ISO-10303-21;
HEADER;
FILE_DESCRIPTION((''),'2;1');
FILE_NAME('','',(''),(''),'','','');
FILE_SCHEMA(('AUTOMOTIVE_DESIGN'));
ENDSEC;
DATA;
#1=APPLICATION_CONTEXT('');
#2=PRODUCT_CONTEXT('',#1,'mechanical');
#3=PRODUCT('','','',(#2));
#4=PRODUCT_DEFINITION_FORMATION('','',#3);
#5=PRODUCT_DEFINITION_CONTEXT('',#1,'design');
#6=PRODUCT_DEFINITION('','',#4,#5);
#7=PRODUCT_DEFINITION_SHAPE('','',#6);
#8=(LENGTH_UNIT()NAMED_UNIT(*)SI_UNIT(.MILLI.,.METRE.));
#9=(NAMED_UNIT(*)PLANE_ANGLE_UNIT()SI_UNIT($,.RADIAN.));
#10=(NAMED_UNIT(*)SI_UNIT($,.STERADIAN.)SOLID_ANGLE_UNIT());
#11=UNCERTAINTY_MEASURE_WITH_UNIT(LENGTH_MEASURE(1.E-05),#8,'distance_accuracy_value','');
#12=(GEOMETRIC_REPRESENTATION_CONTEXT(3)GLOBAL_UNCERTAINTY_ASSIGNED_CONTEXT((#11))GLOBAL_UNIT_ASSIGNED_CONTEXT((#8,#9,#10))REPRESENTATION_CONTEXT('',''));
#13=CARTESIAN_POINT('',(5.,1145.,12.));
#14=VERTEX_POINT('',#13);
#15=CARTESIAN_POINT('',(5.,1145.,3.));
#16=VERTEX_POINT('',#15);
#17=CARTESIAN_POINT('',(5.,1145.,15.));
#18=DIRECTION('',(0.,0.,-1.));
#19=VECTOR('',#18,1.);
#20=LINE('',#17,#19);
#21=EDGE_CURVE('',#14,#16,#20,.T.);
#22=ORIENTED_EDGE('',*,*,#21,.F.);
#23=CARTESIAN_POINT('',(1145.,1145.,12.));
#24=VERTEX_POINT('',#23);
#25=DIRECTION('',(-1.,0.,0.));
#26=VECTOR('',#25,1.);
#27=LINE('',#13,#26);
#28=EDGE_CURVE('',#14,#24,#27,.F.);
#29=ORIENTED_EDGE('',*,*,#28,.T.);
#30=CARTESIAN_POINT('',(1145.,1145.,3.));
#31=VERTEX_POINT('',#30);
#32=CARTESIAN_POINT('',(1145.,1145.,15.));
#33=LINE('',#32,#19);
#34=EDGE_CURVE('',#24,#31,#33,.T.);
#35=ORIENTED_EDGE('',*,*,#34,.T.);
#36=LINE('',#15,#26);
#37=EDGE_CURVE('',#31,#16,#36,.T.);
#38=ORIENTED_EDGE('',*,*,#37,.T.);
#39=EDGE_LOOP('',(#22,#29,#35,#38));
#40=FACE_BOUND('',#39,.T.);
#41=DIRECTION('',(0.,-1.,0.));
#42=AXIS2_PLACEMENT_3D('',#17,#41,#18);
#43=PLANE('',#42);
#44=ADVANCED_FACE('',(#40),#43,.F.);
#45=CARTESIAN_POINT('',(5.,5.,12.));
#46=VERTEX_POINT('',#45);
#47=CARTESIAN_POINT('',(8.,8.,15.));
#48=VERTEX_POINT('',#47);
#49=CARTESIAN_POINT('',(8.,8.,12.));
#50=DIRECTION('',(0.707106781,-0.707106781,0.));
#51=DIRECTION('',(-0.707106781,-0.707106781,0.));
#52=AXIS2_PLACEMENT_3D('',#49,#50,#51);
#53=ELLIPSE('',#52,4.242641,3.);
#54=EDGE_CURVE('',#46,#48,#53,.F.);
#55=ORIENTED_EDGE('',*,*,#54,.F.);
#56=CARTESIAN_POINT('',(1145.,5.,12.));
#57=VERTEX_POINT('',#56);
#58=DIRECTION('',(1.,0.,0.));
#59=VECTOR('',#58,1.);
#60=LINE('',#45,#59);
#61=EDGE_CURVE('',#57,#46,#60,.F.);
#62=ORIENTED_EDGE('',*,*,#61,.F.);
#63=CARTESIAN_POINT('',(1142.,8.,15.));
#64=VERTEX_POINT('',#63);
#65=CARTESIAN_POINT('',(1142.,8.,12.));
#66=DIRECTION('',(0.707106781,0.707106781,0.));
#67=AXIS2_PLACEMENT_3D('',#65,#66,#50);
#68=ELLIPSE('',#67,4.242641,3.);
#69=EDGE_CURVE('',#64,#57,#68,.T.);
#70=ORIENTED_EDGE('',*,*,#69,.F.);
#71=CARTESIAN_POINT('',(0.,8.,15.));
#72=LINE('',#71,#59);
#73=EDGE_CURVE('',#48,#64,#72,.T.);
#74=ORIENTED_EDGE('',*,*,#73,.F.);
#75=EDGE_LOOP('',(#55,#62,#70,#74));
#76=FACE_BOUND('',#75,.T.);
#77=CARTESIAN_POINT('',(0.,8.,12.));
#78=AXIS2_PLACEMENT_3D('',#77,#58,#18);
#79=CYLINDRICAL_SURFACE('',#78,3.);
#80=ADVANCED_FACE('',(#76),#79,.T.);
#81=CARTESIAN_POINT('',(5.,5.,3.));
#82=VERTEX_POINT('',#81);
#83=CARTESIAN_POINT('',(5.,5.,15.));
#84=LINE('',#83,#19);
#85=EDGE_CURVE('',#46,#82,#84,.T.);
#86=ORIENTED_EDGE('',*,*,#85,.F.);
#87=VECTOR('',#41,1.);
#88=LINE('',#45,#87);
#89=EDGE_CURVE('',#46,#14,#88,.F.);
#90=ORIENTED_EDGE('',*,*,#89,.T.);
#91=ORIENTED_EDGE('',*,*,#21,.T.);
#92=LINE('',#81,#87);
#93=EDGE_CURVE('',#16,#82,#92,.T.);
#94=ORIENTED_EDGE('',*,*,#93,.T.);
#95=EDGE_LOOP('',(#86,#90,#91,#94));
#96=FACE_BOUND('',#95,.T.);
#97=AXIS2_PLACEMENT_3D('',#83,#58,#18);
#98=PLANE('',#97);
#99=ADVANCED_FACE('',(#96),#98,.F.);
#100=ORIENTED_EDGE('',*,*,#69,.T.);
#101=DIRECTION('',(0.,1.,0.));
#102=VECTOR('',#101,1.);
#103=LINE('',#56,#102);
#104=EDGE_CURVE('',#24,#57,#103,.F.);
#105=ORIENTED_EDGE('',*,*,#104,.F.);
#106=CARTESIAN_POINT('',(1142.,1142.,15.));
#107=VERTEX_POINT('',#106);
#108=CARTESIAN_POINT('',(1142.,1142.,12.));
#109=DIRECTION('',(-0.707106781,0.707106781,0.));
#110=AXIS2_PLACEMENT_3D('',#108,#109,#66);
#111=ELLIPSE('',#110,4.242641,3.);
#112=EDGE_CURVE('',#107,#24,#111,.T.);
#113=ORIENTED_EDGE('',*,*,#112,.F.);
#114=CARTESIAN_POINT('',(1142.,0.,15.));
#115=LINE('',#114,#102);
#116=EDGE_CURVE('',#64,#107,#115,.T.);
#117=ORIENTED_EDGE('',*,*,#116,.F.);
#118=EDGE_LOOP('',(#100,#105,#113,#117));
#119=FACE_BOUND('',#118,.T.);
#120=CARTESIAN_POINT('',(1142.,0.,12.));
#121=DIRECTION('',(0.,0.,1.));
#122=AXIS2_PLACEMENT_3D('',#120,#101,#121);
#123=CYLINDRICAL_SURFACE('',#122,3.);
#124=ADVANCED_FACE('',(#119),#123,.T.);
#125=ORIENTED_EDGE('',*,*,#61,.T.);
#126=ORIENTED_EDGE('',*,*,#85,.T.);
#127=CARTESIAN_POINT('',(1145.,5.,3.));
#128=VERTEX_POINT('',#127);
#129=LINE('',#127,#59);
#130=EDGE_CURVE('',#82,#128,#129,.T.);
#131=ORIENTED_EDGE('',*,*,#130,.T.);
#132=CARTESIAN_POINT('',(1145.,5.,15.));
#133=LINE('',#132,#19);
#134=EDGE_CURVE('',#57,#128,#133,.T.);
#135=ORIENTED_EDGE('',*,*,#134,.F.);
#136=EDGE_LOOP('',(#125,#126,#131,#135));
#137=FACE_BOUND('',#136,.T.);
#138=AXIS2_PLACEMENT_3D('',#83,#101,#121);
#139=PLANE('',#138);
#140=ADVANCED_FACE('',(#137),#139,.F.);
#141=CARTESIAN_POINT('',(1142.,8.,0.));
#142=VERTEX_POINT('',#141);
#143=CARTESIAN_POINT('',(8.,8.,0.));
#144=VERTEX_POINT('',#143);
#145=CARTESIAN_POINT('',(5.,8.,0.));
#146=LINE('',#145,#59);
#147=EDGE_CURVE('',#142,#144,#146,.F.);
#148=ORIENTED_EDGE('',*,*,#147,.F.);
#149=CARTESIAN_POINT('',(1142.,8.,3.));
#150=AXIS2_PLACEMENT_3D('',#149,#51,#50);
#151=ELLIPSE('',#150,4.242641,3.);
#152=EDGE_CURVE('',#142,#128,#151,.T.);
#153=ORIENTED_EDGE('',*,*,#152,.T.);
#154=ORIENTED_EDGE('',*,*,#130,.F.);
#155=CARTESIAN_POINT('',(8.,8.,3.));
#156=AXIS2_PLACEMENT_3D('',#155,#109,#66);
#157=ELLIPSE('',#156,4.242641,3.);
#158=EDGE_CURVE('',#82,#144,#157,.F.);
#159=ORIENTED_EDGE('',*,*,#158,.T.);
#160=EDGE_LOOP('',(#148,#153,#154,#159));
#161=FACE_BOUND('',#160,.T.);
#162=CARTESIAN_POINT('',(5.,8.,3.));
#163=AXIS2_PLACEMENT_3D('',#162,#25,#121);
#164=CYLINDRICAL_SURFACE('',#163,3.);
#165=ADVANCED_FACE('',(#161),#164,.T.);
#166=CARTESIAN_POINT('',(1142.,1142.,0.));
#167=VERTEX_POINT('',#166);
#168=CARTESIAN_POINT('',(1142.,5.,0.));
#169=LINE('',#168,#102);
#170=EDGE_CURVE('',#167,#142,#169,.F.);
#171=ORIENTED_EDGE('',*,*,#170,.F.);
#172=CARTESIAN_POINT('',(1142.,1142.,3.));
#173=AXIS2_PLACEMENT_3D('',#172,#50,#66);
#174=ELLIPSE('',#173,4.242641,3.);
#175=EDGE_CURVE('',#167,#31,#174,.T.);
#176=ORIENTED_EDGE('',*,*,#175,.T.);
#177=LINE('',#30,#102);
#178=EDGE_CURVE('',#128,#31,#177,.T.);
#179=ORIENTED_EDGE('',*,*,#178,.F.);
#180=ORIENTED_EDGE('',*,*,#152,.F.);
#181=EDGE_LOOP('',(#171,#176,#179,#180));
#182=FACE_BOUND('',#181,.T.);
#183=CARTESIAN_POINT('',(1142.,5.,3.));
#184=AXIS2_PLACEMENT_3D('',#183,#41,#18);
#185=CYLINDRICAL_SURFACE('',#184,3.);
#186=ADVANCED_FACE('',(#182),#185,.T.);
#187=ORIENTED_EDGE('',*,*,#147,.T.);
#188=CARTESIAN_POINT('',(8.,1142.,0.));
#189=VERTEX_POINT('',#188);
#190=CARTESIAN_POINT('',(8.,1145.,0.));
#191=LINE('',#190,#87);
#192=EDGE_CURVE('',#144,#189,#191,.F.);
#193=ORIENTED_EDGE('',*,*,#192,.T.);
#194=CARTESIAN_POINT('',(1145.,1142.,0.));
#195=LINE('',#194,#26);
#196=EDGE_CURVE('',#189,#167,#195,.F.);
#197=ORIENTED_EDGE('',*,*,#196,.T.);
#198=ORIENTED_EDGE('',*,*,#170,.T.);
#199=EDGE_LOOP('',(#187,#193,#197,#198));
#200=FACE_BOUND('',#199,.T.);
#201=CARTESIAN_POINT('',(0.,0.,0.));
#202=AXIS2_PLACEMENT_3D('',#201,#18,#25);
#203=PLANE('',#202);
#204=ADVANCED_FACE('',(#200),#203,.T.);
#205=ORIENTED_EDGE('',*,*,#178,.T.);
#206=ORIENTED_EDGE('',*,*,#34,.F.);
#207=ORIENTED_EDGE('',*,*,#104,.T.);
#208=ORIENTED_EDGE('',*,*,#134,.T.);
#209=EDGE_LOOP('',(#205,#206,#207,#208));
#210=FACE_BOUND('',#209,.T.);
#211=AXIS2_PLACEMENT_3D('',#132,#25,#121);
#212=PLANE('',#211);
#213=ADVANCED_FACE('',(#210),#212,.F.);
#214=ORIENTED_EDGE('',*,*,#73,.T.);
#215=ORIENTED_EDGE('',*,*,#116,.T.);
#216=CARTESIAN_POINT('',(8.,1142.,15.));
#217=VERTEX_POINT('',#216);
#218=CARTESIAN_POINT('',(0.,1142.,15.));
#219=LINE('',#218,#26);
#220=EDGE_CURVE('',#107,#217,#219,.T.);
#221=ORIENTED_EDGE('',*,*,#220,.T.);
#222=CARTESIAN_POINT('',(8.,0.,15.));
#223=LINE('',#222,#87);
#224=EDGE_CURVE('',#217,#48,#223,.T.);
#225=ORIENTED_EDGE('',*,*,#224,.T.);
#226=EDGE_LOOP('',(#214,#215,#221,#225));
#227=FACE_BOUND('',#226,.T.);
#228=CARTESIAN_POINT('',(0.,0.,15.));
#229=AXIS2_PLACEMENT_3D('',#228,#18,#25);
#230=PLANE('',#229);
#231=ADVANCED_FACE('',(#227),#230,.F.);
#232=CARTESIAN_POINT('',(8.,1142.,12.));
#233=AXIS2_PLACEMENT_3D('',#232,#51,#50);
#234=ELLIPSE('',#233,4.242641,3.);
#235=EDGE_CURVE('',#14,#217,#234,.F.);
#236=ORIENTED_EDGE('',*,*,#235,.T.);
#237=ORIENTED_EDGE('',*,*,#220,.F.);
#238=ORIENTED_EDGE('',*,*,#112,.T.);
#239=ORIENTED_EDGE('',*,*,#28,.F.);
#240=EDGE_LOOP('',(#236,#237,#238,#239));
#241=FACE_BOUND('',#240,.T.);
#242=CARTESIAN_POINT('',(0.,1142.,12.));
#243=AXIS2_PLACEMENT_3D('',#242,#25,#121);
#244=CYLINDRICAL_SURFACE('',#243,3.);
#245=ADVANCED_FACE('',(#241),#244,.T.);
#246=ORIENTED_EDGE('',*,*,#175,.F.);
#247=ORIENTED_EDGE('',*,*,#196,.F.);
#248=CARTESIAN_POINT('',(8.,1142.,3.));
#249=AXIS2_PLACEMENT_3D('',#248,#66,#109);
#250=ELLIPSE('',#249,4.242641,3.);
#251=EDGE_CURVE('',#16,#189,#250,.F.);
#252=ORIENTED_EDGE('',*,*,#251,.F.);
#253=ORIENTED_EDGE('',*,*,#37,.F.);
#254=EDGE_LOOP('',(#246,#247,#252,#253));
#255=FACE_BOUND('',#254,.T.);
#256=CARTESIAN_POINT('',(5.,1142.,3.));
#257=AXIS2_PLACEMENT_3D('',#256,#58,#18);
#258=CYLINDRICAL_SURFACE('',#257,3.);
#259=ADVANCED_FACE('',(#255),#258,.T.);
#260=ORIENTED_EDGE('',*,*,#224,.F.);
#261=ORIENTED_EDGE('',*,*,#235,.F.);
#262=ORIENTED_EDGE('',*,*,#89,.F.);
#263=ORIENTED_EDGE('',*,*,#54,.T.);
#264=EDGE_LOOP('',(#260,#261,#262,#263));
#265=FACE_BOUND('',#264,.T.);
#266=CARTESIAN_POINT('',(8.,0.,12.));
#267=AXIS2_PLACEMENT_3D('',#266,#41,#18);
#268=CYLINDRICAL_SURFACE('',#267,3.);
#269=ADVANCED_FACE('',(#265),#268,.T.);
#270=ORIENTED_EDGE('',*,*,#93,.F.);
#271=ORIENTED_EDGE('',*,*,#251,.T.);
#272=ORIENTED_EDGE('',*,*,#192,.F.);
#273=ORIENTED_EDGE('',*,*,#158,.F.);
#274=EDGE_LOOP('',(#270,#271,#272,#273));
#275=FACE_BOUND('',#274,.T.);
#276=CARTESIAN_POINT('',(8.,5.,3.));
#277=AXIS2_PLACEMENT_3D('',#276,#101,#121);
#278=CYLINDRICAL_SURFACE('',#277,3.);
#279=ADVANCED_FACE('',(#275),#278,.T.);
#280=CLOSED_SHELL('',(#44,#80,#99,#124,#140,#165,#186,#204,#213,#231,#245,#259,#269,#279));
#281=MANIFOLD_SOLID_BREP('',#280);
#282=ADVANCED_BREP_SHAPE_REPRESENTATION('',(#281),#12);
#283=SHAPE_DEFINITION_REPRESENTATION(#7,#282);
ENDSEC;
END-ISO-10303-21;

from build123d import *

# Parameters (mm, degrees)
SKETCH1_W           = 1140
SKETCH1_H           = 1140
BOSS_EXTRUDE1_DEPTH = 15
FILLET1_R           = 3


with BuildPart() as part:
    # Sketch1 → Boss-Extrude1 (new body)
    with BuildSketch(Plane.XY):
        with Locations((575, 575)):
            Rectangle(SKETCH1_W, SKETCH1_H)
    extrude(amount=BOSS_EXTRUDE1_DEPTH)

    # Fillet1
    fillet1_edges = [part.edges().sort_by_distance(p)[0] for p in [
        (1145, 575, 15),
        (575, 1145, 15),
        (5, 575, 15),
        (575, 1145, 0),
        (1145, 575, 0),
        (575, 5, 0),
        (5, 575, 0),
        (575, 5, 15),
    ]]
    fillet(fillet1_edges, radius=FILLET1_R)


solid = part.part
